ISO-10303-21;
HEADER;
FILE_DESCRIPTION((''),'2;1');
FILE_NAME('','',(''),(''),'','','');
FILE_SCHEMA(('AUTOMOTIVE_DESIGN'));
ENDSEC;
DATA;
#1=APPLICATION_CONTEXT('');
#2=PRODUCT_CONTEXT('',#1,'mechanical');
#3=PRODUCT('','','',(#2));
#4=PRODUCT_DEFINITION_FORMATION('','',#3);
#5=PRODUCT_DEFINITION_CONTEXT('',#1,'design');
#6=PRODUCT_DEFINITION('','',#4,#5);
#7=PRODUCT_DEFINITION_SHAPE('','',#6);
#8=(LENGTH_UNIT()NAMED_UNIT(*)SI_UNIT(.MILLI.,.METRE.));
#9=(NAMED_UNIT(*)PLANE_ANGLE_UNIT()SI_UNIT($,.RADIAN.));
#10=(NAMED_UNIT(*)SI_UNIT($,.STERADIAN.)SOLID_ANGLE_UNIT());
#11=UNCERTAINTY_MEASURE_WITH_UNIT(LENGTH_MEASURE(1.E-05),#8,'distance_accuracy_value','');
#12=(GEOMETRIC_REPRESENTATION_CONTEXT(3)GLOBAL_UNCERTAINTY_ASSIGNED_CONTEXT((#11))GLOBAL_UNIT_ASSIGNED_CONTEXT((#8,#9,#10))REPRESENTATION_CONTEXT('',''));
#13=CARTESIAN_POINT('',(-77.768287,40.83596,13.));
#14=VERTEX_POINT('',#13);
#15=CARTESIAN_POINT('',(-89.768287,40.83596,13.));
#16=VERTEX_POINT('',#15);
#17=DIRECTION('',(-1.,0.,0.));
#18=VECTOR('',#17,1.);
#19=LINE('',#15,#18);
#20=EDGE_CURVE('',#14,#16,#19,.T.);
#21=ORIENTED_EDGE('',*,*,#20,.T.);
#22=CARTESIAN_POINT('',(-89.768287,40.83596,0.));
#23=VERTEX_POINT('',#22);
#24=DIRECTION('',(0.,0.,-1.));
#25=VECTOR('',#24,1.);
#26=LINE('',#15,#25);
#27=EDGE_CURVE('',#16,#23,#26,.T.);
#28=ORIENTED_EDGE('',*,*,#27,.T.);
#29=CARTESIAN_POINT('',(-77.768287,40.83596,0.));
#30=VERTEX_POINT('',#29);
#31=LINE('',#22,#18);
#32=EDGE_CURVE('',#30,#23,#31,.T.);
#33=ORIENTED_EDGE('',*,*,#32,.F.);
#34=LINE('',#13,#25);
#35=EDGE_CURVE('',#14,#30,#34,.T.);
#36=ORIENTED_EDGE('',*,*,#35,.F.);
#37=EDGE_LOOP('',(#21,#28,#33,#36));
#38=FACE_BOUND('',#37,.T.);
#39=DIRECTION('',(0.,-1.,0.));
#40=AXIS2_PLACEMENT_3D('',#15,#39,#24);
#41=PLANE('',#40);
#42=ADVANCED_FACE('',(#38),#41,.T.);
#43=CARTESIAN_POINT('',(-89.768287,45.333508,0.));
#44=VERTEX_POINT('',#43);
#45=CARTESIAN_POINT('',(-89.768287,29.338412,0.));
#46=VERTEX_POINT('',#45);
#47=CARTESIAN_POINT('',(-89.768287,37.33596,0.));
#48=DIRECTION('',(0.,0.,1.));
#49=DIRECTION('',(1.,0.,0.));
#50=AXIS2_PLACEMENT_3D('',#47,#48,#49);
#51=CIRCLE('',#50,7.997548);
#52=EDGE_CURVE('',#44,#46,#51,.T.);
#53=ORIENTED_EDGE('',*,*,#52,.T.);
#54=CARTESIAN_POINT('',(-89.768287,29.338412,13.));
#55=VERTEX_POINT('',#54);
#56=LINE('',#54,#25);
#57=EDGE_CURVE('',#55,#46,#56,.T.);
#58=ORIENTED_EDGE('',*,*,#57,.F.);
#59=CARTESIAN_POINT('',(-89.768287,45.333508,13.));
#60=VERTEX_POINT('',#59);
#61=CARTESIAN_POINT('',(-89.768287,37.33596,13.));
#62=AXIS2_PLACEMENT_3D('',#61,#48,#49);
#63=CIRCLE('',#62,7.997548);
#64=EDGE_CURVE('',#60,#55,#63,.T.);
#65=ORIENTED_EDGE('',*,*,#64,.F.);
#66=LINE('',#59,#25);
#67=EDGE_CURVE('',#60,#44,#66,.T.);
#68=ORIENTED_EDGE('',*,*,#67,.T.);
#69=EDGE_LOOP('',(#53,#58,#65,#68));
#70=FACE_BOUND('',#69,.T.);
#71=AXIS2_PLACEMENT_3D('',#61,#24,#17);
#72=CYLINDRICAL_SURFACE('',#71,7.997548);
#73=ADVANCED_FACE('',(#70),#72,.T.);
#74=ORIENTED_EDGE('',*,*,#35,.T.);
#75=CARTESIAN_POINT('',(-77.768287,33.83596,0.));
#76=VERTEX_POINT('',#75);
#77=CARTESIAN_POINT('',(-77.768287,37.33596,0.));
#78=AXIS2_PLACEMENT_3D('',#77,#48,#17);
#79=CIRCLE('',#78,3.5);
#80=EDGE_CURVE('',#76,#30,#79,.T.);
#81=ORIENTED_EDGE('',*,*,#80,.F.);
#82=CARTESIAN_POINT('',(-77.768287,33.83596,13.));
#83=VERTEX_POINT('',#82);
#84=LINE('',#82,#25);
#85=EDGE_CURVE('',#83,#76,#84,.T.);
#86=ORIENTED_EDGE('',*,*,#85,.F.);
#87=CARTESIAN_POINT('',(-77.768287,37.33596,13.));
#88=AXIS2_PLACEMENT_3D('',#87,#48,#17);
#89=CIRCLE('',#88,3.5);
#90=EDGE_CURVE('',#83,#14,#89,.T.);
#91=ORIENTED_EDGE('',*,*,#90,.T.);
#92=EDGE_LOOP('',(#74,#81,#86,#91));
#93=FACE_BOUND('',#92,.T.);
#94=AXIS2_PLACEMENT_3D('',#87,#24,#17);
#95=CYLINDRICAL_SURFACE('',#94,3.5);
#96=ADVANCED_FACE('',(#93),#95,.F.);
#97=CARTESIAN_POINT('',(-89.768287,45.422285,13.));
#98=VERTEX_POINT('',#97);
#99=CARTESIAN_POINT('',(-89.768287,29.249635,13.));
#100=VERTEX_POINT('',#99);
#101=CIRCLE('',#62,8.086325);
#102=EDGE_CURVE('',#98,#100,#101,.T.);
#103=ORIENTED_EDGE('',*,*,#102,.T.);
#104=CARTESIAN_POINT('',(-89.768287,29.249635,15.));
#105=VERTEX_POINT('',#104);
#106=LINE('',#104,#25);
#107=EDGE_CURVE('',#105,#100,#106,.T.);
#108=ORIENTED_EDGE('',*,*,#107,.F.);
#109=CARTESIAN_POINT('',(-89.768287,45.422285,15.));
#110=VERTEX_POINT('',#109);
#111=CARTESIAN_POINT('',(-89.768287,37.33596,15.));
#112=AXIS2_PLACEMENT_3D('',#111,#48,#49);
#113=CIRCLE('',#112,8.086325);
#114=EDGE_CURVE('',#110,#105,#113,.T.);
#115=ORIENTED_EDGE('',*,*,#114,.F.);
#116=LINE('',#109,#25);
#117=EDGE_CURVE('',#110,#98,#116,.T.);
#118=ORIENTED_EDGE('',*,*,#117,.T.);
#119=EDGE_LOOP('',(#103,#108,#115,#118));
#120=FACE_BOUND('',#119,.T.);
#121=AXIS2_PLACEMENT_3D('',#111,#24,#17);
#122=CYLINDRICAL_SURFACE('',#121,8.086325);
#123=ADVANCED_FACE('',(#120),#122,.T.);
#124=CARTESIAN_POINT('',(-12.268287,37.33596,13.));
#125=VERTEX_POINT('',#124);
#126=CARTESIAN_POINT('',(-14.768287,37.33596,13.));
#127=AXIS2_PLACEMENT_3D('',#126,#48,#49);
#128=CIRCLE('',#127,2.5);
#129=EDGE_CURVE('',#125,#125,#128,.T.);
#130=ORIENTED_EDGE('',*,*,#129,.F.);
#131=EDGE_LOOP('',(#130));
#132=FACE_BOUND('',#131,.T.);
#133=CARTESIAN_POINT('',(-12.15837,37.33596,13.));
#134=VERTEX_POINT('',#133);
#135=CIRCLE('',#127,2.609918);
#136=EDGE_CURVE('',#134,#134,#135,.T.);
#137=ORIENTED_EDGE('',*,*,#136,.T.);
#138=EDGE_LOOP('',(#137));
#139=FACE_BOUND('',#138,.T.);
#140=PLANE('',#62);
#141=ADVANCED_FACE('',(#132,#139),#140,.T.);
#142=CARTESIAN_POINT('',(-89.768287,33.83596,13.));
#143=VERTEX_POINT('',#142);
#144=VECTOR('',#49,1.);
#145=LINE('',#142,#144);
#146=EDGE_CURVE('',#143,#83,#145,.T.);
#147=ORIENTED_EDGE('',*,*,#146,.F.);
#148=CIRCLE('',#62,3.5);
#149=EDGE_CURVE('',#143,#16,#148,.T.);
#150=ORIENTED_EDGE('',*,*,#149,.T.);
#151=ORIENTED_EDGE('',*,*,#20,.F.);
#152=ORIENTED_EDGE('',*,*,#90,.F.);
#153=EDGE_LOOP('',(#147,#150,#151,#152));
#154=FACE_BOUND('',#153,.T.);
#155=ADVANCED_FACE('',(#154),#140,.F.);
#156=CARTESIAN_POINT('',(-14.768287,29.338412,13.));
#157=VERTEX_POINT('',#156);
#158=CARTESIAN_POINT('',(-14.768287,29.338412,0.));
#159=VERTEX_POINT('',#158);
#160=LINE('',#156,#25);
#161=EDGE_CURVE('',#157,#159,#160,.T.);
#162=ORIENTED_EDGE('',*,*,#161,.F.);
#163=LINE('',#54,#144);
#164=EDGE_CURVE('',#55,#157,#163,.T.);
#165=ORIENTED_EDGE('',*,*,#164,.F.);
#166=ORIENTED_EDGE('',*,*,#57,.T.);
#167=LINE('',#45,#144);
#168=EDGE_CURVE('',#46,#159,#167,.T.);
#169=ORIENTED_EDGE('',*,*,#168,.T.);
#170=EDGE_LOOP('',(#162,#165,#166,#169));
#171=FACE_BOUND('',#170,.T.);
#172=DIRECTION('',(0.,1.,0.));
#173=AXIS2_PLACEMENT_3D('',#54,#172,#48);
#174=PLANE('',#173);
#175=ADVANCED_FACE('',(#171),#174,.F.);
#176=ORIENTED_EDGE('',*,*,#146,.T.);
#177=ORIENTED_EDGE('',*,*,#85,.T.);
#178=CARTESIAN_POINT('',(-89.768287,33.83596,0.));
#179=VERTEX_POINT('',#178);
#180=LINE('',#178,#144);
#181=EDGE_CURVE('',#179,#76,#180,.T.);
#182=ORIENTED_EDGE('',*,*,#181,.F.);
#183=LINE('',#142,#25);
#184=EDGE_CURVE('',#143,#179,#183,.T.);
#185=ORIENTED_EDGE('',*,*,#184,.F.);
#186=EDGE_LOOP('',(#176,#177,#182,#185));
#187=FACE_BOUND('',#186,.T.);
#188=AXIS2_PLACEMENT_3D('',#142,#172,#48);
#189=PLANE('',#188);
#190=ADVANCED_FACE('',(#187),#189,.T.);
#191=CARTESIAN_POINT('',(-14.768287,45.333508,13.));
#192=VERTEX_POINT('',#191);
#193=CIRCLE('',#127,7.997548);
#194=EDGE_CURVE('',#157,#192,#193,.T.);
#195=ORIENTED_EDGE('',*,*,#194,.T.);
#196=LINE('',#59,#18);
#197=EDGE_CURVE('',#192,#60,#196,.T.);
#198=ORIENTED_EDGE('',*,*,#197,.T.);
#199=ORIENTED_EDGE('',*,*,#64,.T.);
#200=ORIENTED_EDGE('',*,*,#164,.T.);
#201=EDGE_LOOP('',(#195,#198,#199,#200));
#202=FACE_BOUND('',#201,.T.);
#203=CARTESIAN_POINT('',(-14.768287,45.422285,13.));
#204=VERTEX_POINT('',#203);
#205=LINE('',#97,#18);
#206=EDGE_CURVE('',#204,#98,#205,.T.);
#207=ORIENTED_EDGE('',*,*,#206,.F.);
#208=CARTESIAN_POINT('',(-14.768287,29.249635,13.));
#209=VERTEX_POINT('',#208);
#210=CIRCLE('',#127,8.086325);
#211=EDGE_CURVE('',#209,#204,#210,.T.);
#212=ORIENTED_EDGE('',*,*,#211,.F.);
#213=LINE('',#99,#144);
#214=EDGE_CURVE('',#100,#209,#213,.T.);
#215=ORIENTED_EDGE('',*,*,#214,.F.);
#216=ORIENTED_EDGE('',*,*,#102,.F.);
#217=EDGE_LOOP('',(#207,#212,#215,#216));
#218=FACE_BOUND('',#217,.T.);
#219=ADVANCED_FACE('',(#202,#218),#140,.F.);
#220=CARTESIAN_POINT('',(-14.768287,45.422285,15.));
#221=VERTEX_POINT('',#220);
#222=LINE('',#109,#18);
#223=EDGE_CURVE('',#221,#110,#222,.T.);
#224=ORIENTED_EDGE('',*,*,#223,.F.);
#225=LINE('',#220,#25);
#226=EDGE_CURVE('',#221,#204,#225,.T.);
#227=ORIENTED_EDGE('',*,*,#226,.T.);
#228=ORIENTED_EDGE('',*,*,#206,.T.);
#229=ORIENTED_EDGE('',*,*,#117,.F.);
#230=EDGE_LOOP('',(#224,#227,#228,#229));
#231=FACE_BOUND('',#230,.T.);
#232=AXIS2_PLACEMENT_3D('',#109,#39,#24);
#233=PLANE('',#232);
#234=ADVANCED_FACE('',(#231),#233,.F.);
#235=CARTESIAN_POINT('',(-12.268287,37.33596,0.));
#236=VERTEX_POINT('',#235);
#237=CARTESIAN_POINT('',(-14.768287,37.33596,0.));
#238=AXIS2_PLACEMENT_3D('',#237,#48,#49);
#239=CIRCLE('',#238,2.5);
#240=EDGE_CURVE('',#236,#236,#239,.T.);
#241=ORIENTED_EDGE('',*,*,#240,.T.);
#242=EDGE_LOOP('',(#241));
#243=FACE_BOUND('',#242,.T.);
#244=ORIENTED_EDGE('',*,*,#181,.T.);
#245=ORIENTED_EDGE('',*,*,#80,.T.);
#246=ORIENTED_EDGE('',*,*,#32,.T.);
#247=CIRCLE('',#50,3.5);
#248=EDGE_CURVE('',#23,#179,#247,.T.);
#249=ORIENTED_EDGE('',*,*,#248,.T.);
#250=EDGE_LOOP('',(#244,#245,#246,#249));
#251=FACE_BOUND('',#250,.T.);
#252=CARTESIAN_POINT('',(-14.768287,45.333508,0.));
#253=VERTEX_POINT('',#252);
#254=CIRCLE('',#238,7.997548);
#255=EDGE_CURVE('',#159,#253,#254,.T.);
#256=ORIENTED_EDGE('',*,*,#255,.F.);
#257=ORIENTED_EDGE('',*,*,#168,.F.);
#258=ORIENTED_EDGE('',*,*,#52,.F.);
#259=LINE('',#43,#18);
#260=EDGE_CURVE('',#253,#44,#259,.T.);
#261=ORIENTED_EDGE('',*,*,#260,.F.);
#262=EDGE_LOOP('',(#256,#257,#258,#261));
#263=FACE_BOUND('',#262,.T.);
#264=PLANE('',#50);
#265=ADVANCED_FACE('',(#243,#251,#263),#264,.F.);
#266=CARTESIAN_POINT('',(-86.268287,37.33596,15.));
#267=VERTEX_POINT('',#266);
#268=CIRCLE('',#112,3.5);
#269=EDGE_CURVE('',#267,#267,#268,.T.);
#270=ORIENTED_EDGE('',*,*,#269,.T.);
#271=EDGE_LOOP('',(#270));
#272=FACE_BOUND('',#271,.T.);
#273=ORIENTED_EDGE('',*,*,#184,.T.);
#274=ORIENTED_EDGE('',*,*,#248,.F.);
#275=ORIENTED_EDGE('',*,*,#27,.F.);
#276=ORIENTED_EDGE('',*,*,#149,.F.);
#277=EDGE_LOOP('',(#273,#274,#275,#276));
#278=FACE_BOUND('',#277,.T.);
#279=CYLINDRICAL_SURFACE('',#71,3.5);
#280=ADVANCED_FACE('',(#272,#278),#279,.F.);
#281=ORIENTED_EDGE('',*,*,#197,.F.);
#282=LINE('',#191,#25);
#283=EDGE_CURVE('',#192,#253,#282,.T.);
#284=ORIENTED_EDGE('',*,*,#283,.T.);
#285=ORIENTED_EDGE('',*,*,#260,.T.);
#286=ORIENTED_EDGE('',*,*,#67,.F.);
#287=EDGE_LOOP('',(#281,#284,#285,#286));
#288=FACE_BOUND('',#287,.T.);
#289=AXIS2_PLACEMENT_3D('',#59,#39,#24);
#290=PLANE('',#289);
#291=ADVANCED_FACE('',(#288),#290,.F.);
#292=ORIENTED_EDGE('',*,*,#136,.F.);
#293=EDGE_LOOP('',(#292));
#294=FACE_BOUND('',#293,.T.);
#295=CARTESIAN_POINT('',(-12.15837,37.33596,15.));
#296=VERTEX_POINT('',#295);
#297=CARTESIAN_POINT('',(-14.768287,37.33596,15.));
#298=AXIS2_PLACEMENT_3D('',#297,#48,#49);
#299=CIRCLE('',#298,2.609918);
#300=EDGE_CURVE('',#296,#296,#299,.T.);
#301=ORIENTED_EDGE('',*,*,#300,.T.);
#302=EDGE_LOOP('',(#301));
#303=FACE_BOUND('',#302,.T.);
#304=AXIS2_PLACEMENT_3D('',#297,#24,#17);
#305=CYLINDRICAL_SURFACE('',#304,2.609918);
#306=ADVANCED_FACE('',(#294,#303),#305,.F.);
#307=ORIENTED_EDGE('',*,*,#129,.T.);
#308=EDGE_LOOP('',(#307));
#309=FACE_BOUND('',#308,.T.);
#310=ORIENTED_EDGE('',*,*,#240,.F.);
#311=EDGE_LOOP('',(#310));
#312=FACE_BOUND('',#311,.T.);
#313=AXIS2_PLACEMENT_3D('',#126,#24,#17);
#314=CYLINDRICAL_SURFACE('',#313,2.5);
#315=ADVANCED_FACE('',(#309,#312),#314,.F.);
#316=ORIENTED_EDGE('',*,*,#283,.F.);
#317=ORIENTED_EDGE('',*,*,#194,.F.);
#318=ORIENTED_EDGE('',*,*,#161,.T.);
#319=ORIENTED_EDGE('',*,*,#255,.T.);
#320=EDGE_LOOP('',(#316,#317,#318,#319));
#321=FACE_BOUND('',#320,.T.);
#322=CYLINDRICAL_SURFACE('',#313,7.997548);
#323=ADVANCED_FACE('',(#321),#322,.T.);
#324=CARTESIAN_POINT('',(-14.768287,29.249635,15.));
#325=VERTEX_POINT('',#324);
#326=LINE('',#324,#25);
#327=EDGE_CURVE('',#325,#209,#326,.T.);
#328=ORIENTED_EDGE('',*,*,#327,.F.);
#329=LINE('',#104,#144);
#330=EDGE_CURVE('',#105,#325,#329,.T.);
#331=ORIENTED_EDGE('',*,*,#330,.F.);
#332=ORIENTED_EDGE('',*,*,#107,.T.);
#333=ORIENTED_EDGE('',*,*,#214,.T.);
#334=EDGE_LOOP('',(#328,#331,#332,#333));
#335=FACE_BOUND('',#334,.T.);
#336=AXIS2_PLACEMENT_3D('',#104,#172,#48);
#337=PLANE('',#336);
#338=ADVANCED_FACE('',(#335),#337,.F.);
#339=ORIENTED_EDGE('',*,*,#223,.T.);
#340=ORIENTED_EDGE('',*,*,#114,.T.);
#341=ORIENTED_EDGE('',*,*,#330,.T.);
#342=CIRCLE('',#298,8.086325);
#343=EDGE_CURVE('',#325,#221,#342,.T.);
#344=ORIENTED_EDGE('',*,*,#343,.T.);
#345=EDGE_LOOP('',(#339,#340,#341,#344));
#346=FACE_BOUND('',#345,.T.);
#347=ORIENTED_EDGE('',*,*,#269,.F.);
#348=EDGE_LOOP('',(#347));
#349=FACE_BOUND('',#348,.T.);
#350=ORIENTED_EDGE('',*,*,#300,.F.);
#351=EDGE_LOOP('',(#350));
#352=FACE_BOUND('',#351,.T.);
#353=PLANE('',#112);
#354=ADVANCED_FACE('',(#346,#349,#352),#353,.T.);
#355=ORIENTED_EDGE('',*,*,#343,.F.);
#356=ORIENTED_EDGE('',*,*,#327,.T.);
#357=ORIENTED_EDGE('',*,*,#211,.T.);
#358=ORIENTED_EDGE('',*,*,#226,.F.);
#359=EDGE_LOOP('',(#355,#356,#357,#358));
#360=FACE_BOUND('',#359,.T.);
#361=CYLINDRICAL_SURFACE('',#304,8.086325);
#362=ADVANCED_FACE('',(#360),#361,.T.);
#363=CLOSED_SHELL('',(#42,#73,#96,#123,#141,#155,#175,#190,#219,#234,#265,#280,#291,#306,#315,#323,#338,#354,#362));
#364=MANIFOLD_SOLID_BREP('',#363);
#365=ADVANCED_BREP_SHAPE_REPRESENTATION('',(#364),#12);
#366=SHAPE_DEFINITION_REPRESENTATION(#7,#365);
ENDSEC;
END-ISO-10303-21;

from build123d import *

# Parameters (mm, degrees)
SKETCH1_R           = 2.5
BOSS_EXTRUDE1_DEPTH = 13
SKETCH2_R           = 2.609917525
SKETCH2_R_2         = 3.5
BOSS_EXTRUDE2_DEPTH = 2


with BuildPart() as part:
    # Sketch1 → Boss-Extrude1 (new body)
    with BuildSketch(Plane.XY):
        with BuildLine():
            Line((-89.768287337, 45.333507938), (-14.768287337, 45.333507938))
            ThreePointArc((-14.768287337, 45.333507938), (-6.770739373, 37.335959975), (-14.768287337, 29.338412011))
            Line((-14.768287337, 29.338412011), (-89.768287337, 29.338412011))
            ThreePointArc((-89.768287337, 29.338412011), (-97.765835301, 37.335959975), (-89.768287337, 45.333507938))
        make_face()
        with Locations((-14.768287337, 37.335959975)):
            Circle(SKETCH1_R, mode=Mode.SUBTRACT)
        with BuildLine():
            Line((-89.768287337, 40.835959975), (-77.768287337, 40.835959975))
            ThreePointArc((-77.768287337, 40.835959975), (-74.268287337, 37.335959975), (-77.768287337, 33.835959975))
            Line((-77.768287337, 33.835959975), (-89.768287337, 33.835959975))
            ThreePointArc((-89.768287337, 33.835959975), (-93.268287337, 37.335959975), (-89.768287337, 40.835959975))
        make_face(mode=Mode.SUBTRACT)
    extrude(amount=BOSS_EXTRUDE1_DEPTH)

    # Sketch2 → Boss-Extrude2 (add)
    with BuildSketch(Plane.XY.offset(13)):
        with BuildLine():
            Line((-89.768287337, 45.422284511), (-14.768287337, 45.422284511))
            ThreePointArc((-14.768287337, 45.422284511), (-6.681962801, 37.335959975), (-14.768287337, 29.249635439))
            Line((-14.768287337, 29.249635439), (-89.768287337, 29.249635439))
            ThreePointArc((-89.768287337, 29.249635439), (-97.854611873, 37.335959975), (-89.768287337, 45.422284511))
        make_face()
        with Locations((-14.768287337, 37.335959975)):
            Circle(SKETCH2_R, mode=Mode.SUBTRACT)
        with Locations((-89.768287337, 37.335959975)):
            Circle(SKETCH2_R_2, mode=Mode.SUBTRACT)
    extrude(amount=BOSS_EXTRUDE2_DEPTH)


solid = part.part
